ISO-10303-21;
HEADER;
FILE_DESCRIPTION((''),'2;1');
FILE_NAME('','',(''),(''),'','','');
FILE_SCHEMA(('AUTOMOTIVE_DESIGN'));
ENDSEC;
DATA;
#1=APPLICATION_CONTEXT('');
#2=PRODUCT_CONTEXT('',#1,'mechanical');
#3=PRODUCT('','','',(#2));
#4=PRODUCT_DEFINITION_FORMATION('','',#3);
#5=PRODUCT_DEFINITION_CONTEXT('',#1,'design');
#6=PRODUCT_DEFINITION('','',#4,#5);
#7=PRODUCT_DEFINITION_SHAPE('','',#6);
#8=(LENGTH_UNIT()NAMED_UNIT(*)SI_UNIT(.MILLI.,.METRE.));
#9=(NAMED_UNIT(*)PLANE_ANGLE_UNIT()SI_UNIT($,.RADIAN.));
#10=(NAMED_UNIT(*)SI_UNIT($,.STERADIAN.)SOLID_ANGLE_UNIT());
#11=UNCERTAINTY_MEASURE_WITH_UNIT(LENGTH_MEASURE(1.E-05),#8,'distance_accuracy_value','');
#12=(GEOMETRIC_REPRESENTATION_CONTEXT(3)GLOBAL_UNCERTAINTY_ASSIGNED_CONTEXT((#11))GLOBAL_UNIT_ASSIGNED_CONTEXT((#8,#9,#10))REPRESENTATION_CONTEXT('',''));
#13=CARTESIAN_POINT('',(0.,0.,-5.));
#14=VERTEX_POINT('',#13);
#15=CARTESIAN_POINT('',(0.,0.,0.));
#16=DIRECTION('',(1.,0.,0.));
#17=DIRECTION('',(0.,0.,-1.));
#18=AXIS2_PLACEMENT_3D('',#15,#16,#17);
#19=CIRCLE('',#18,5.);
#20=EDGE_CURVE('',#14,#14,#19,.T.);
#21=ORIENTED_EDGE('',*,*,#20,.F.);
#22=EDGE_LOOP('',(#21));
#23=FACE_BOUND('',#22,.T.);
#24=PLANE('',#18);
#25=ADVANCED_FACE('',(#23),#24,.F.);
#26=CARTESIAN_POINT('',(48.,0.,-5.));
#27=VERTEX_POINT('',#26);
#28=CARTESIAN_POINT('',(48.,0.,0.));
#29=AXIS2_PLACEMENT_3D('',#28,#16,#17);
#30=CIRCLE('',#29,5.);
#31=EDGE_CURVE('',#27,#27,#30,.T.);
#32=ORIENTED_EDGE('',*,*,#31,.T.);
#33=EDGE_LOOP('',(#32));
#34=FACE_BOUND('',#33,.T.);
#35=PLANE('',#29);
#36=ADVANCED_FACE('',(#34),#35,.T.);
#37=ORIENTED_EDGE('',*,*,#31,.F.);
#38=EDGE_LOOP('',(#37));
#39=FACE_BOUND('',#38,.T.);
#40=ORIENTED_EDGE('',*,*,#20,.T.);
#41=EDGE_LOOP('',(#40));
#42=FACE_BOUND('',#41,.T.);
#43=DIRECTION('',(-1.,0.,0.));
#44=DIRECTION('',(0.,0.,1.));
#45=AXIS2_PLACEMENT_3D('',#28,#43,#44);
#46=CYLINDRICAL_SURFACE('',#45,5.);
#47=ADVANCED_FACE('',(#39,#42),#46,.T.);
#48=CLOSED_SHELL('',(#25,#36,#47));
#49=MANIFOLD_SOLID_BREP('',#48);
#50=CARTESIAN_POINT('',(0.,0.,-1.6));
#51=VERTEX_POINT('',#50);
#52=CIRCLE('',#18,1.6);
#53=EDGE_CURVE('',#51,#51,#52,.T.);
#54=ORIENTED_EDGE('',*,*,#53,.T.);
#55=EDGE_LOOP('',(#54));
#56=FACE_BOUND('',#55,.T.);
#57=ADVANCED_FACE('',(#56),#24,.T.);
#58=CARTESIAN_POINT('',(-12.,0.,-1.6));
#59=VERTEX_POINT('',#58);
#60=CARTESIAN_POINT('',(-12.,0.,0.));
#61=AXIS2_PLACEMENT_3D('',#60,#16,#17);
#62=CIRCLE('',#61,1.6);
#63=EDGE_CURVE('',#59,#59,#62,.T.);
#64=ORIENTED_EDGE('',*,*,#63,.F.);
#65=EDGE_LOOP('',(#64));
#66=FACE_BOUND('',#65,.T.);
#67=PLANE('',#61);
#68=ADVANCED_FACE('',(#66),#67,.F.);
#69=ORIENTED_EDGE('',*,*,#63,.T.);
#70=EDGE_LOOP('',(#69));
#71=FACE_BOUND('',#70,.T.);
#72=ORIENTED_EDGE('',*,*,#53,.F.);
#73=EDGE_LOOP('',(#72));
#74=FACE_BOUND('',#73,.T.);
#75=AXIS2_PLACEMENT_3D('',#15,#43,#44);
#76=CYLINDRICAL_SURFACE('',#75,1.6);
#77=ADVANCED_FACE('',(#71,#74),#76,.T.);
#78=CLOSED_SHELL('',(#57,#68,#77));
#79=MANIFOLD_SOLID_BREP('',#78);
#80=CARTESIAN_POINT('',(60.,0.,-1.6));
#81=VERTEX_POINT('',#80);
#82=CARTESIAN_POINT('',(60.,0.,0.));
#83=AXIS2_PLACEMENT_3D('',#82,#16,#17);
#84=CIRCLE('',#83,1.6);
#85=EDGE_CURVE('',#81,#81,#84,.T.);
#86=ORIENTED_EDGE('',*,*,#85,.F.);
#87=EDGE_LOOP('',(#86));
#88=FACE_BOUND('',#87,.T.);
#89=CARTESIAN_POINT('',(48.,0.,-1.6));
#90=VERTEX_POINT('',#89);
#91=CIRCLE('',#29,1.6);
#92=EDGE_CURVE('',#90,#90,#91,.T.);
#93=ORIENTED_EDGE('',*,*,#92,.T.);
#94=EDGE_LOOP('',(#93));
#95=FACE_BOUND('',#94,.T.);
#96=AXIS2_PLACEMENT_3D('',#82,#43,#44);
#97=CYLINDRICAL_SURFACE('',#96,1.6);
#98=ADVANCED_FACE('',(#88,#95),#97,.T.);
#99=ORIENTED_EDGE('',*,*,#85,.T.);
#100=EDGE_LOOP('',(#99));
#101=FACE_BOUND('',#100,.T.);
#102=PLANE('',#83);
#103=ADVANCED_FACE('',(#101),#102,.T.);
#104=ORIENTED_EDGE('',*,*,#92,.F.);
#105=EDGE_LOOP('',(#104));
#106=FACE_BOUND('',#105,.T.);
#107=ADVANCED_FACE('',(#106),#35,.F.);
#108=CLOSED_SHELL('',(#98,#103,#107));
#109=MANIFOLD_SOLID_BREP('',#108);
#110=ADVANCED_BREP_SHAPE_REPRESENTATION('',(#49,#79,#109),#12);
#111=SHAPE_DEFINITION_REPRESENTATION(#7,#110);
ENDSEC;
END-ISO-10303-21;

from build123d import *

# Parameters (mm, degrees)
SK_FUSE_HOLDER_BODY_R  = 5
FUSE_HOLDER_BODY_DEPTH = 48
LEAD_START             = -12
SK_LEAD_IN_R           = 1.6
LEAD_IN_DEPTH          = 12
LEAD_START_2           = 48
SK_LEAD_OUT_R          = 1.6
LEAD_OUT_DEPTH         = 12


with BuildPart() as part:
    # SK Fuse holder body → Fuse holder body (new body)
    with BuildSketch(Plane(origin=(0, 0, 0), x_dir=(0, 0, -1), z_dir=(1, 0, 0))):
        Circle(SK_FUSE_HOLDER_BODY_R)
    extrude(amount=FUSE_HOLDER_BODY_DEPTH)


with BuildPart() as body_2:
    # SK Lead in → Lead in (new body)
    with BuildSketch(Plane(origin=(0, 0, 0), x_dir=(0, 0, -1), z_dir=(1, 0, 0)).offset(LEAD_START)):
        Circle(SK_LEAD_IN_R)
    extrude(amount=LEAD_IN_DEPTH)


with BuildPart() as body_3:
    # SK Lead out → Lead out (new body)
    with BuildSketch(Plane(origin=(0, 0, 0), x_dir=(0, 0, -1), z_dir=(1, 0, 0)).offset(LEAD_START_2)):
        Circle(SK_LEAD_OUT_R)
    extrude(amount=LEAD_OUT_DEPTH)


solid = Compound([part.part, body_2.part, body_3.part])
